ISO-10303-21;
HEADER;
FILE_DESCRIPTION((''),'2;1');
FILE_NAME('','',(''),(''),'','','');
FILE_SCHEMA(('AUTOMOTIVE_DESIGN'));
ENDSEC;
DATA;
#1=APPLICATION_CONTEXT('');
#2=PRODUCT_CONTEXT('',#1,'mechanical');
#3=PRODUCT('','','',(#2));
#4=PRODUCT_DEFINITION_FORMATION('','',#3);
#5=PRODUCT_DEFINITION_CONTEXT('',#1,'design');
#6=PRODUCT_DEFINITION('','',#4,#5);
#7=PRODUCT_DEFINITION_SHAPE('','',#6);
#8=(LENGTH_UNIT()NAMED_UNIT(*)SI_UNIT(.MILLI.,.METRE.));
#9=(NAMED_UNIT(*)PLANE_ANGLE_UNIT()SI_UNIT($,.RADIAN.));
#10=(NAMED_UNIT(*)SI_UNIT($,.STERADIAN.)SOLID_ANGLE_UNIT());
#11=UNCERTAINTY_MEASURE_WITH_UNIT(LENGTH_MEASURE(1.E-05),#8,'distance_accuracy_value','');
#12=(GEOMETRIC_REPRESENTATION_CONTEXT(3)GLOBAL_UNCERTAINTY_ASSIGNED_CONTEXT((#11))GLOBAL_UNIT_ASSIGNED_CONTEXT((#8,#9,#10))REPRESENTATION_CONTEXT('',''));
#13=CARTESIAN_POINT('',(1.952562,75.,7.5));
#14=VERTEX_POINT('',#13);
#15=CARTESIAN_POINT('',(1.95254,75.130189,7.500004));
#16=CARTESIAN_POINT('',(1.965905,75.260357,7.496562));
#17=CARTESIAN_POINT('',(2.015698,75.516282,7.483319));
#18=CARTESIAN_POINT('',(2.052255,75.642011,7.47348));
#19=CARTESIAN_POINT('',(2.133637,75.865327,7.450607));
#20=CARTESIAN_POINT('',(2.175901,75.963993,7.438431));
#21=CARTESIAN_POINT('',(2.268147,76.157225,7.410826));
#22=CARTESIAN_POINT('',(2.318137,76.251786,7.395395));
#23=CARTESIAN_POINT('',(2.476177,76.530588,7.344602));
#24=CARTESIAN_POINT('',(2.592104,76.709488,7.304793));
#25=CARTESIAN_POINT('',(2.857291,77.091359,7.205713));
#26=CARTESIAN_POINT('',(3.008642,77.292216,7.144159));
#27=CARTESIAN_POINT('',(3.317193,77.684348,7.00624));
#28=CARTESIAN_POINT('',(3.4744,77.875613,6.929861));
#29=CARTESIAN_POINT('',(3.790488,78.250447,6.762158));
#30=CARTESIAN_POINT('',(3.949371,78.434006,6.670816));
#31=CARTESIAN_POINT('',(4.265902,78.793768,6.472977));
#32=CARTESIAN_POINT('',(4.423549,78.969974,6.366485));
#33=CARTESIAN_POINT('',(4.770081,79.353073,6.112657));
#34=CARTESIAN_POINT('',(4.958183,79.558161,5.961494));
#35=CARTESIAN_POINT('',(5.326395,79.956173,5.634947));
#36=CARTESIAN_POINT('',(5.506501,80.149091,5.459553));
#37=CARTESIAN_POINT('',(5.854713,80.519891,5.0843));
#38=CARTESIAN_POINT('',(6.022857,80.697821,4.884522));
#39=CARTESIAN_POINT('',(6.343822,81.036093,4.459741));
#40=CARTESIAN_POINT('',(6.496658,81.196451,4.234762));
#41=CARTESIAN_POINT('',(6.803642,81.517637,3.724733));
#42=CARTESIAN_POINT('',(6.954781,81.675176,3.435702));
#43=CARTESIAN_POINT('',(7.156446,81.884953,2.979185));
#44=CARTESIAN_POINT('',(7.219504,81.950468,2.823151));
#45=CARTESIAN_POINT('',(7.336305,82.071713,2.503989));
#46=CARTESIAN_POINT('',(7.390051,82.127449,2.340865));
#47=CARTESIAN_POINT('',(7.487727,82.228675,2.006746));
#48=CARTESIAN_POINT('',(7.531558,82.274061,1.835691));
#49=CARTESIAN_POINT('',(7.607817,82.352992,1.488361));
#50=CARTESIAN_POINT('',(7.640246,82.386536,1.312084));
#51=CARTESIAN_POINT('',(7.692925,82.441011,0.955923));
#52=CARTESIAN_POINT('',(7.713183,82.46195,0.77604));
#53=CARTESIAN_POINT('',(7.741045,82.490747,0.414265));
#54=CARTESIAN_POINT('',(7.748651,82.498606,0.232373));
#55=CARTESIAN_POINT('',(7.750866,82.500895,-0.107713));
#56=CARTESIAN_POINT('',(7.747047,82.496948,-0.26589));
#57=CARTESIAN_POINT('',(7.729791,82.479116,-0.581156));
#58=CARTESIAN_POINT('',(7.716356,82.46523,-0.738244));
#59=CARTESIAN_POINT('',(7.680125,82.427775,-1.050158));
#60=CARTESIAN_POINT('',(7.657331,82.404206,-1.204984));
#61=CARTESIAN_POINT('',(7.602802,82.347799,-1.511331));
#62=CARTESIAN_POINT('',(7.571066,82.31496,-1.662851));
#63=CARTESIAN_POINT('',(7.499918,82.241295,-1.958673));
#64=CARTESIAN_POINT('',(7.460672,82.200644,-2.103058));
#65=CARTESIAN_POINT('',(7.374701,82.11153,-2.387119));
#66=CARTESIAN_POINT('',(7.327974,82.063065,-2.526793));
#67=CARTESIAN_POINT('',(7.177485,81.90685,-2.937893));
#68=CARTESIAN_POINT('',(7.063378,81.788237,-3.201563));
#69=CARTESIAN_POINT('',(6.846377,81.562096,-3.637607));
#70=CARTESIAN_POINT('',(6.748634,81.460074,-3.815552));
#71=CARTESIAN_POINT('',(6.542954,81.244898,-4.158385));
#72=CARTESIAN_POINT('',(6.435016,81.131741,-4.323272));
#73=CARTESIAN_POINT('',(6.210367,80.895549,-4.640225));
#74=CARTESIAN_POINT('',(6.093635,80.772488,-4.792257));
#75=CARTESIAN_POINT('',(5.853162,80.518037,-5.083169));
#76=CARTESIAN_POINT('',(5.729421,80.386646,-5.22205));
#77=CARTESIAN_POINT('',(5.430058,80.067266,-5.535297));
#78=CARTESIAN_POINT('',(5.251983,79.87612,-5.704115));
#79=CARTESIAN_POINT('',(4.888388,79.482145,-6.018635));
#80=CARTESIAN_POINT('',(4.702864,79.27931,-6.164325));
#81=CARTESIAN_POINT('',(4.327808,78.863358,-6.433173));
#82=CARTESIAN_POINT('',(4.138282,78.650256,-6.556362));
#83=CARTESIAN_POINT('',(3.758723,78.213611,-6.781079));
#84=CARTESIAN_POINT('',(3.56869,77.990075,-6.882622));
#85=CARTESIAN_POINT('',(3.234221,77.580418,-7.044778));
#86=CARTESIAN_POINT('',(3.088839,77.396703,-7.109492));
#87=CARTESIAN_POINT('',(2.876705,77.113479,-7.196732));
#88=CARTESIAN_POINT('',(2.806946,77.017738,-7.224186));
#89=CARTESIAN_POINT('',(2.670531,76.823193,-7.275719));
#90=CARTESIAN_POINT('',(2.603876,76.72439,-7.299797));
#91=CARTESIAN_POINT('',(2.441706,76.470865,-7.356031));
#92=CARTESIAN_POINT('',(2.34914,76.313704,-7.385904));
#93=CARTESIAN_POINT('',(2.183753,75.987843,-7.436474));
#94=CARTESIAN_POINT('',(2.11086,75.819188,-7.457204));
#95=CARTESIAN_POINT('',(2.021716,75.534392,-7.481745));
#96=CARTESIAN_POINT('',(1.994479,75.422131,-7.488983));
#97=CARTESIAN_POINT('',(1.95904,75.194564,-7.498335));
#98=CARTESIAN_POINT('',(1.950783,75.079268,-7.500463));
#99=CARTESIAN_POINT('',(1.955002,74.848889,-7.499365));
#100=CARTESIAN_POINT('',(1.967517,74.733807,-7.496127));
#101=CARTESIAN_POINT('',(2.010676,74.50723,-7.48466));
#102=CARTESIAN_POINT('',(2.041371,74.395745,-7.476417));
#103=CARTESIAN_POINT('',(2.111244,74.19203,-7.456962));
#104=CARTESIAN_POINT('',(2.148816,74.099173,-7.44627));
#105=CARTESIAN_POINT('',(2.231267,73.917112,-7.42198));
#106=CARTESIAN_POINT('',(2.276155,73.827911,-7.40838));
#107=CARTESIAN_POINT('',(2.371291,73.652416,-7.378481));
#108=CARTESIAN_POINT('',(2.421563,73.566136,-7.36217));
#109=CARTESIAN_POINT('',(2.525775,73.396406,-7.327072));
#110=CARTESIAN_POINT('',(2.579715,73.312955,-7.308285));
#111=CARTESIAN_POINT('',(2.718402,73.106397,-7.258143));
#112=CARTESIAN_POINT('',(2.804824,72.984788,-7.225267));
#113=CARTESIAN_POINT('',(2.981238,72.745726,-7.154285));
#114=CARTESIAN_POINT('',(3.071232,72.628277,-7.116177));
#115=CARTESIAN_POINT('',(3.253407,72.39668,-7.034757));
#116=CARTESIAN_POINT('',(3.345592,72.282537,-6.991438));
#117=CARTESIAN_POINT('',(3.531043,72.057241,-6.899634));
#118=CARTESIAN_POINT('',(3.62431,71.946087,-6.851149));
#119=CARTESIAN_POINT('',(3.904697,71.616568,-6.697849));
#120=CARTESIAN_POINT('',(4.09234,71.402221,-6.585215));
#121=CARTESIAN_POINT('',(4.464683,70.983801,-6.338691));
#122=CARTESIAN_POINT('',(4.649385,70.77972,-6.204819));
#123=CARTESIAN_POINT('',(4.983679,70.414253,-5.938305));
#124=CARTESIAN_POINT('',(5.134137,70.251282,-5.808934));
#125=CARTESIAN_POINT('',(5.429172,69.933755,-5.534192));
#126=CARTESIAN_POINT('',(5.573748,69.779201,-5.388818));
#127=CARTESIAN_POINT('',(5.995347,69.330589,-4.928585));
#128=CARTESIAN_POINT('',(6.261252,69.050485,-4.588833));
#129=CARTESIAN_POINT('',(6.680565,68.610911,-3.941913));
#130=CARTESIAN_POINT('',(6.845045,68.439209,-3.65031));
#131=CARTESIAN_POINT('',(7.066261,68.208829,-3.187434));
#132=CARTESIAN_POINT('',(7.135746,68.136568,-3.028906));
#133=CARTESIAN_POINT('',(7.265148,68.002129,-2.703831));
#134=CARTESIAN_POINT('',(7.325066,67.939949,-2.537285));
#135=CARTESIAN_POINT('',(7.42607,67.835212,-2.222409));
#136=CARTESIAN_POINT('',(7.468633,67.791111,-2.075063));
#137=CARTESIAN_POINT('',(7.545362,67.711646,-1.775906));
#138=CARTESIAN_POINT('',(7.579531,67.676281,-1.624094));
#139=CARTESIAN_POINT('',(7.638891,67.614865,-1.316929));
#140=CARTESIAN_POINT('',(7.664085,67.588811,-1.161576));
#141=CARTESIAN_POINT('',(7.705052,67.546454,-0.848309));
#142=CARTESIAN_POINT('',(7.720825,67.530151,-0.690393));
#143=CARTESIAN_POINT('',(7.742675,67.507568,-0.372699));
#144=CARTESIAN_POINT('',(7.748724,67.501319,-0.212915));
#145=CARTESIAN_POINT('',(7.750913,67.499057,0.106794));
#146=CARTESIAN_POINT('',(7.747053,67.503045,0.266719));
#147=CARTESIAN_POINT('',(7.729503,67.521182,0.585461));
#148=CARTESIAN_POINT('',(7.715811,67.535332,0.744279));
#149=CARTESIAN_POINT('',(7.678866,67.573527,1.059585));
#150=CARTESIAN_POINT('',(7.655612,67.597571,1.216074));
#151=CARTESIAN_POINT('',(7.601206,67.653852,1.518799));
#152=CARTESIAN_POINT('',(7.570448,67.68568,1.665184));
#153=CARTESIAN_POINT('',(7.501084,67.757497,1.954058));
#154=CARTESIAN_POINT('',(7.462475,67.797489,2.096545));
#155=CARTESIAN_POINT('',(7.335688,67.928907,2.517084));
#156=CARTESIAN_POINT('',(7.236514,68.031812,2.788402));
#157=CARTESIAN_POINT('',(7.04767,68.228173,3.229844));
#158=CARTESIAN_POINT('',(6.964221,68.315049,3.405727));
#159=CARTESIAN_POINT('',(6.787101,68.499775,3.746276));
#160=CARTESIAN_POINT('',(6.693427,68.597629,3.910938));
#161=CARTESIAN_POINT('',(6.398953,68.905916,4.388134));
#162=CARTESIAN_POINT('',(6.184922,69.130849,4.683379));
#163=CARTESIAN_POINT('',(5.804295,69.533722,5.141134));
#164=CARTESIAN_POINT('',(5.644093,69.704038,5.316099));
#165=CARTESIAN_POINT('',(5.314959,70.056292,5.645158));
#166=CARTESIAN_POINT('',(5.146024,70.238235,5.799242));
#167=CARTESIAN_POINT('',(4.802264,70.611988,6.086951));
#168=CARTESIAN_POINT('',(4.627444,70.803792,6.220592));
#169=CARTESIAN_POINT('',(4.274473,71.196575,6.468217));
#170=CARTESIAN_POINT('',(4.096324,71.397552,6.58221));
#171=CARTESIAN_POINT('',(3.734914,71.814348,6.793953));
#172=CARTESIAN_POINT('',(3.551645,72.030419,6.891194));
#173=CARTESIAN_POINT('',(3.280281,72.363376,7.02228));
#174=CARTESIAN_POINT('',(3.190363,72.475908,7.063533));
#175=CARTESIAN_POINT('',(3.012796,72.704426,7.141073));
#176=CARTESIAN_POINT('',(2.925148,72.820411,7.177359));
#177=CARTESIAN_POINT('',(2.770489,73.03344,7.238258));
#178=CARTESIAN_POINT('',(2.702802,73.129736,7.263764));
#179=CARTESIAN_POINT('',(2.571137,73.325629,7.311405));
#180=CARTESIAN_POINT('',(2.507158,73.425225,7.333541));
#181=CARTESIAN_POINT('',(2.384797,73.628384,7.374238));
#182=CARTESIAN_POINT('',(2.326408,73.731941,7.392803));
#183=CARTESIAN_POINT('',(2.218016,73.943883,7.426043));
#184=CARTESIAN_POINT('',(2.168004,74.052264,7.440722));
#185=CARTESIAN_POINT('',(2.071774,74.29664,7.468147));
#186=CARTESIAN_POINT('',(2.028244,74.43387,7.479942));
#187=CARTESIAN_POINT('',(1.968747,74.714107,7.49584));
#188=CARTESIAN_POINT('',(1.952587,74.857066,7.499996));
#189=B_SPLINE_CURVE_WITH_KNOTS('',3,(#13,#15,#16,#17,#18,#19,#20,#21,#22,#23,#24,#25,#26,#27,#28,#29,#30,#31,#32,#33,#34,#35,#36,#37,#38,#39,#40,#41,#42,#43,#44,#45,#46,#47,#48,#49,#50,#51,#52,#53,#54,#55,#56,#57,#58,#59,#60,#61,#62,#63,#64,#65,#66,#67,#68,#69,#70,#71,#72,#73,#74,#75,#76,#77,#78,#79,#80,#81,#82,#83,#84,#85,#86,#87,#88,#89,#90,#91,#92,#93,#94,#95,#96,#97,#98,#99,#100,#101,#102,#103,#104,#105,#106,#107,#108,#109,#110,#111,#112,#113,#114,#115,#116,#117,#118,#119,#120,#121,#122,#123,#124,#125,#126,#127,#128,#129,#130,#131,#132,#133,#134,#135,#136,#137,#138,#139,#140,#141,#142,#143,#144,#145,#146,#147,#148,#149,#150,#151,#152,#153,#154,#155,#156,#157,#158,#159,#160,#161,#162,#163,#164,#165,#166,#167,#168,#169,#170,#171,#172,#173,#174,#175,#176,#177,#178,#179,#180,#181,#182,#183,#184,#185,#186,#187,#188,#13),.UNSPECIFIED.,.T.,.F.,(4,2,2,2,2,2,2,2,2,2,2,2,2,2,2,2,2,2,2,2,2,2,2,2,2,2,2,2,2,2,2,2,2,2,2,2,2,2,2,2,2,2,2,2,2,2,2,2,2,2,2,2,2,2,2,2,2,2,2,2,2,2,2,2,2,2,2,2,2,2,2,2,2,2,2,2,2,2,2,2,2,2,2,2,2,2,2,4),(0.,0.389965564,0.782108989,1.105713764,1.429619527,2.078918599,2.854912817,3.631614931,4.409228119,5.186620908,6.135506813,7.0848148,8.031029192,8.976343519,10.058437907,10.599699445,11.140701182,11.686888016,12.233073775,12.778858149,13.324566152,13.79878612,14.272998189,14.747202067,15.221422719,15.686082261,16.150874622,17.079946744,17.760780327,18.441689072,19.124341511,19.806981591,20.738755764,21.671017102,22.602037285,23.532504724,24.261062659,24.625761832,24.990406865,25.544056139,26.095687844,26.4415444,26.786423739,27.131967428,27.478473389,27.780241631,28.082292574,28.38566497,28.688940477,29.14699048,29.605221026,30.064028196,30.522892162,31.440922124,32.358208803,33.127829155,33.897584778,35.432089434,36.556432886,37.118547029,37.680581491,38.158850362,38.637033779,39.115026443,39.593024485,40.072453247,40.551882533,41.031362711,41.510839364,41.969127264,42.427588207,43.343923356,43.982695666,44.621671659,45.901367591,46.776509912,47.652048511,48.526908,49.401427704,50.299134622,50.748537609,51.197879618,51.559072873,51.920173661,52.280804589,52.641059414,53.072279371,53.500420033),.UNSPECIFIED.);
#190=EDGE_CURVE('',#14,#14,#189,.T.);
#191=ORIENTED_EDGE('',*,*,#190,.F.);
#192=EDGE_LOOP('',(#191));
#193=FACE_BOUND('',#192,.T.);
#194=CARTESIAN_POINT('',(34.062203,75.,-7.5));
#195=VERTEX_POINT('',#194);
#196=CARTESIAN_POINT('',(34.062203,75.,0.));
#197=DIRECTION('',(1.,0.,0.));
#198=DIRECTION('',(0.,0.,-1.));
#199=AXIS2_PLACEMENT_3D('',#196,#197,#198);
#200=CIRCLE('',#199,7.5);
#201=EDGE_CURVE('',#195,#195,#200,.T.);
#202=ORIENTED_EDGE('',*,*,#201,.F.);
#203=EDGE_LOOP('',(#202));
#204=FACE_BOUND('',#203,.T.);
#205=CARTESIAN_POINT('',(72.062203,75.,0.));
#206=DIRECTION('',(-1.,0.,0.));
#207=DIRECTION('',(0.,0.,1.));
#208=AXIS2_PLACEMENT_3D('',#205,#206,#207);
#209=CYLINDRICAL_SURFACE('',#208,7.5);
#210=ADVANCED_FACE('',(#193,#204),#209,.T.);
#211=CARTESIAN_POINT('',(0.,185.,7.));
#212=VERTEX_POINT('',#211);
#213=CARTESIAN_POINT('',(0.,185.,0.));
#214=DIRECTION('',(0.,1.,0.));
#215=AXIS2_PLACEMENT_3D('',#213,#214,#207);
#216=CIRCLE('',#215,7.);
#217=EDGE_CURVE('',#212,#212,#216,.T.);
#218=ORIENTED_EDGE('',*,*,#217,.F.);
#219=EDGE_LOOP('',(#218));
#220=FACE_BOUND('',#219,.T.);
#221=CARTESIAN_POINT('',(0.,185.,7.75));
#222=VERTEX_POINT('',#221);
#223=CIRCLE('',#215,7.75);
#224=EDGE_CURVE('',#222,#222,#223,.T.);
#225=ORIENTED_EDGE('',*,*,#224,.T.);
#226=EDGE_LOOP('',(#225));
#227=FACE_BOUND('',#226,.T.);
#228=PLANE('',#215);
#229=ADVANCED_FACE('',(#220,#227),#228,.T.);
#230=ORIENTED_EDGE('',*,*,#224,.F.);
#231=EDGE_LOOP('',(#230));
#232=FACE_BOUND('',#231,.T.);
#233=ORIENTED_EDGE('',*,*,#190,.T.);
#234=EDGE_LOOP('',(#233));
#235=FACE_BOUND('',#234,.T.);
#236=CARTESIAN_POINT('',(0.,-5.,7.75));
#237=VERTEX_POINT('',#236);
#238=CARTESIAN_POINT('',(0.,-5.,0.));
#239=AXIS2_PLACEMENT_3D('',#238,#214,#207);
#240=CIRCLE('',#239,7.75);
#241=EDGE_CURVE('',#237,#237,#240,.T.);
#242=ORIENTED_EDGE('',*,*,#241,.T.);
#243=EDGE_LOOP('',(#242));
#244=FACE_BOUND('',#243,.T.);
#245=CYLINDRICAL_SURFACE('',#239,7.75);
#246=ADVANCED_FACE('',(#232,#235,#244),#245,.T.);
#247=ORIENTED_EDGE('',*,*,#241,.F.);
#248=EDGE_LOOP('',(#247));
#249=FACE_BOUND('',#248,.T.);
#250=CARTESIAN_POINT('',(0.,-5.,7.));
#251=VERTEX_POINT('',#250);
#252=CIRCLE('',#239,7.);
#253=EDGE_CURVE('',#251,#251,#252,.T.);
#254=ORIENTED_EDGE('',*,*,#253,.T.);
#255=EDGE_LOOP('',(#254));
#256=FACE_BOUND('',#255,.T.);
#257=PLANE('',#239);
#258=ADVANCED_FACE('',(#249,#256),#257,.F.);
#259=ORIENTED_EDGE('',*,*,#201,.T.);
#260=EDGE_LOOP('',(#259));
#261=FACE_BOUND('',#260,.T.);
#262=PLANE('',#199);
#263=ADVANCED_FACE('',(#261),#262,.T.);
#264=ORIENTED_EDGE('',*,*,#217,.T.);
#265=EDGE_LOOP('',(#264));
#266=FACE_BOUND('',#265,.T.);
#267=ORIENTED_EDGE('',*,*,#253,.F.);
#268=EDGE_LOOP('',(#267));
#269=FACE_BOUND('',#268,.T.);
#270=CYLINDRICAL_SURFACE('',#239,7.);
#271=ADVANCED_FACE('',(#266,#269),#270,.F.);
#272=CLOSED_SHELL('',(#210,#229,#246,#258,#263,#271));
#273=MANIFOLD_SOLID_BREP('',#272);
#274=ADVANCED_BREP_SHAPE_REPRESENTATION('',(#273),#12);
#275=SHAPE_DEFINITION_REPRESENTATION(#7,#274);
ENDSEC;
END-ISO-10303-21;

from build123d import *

# Parameters (mm, degrees)
BOSS_EXTRUDE1_DEPTH      = 160
BOSS_EXTRUDE1_DEPTH_BACK = 5
SKETCH1_R                = 7.75
SKETCH1_R_2              = 7
SKETCH5_R                = 7.5
BOSS_EXTRUDE3_DEPTH      = 72.0622032
SKETCH7_R                = 7.75
SKETCH7_R_2              = 7
BOSS_EXTRUDE5_DEPTH      = 25
CUT_EXTRUDE1_START       = -38
SKETCH8_R                = 7.5
CUT_EXTRUDE1_DEPTH       = 38
SKETCH9_R                = 7
CUT_EXTRUDE2_DEPTH       = 105


with BuildPart() as part:
    # Sketch1 → Boss-Extrude1 (new, two sides: drawn at the far end of the back side and taken through both)
    with BuildSketch(Plane(origin=(0, 0, 0), x_dir=(1, 0, 0), z_dir=(0, 1, 0)).offset(-BOSS_EXTRUDE1_DEPTH_BACK)):
        with Locations(Location((0, 0, 0), (0, 0, 270))):
            Circle(SKETCH1_R)
        with Locations(Location((0, 0, 0), (0, 0, 270))):
            Circle(SKETCH1_R_2, mode=Mode.SUBTRACT)
    extrude(amount=BOSS_EXTRUDE1_DEPTH + BOSS_EXTRUDE1_DEPTH_BACK)

    # Sketch5 → Boss-Extrude3 (add)
    with BuildSketch(Plane(origin=(0, 0, 0), x_dir=(0, 0, -1), z_dir=(1, 0, 0))):
        with Locations(Location((0, 75, 0), (0, 0, 180))):
            Circle(SKETCH5_R)
    extrude(amount=BOSS_EXTRUDE3_DEPTH)

    # Sketch7 → Boss-Extrude5 (add)
    with BuildSketch(Plane(origin=(0, 160, 0), x_dir=(1, 0, 0), z_dir=(0, 1, 0))):
        with Locations(Location((0, 0, 0), (0, 0, 270))):
            Circle(SKETCH7_R)
        with Locations(Location((0, 0, 0), (0, 0, 270))):
            Circle(SKETCH7_R_2, mode=Mode.SUBTRACT)
    extrude(amount=BOSS_EXTRUDE5_DEPTH)

    # Sketch8 → Cut-Extrude1 (cut)
    with BuildSketch(Plane(origin=(72.0622032, 0, 0), x_dir=(0, 0, -1), z_dir=(1, 0, 0)).offset(CUT_EXTRUDE1_START)):
        with Locations(Location((0, 75, 0), (0, 0, 180))):
            Circle(SKETCH8_R)
    extrude(amount=CUT_EXTRUDE1_DEPTH, mode=Mode.SUBTRACT)

    # Sketch9 → Cut-Extrude2 (cut)
    with BuildSketch(Plane.XZ.offset(5)):
        with Locations(Location((0, 0, 0), (0, 0, 90))):
            Circle(SKETCH9_R)
    extrude(amount=-CUT_EXTRUDE2_DEPTH, mode=Mode.SUBTRACT)


solid = part.part
